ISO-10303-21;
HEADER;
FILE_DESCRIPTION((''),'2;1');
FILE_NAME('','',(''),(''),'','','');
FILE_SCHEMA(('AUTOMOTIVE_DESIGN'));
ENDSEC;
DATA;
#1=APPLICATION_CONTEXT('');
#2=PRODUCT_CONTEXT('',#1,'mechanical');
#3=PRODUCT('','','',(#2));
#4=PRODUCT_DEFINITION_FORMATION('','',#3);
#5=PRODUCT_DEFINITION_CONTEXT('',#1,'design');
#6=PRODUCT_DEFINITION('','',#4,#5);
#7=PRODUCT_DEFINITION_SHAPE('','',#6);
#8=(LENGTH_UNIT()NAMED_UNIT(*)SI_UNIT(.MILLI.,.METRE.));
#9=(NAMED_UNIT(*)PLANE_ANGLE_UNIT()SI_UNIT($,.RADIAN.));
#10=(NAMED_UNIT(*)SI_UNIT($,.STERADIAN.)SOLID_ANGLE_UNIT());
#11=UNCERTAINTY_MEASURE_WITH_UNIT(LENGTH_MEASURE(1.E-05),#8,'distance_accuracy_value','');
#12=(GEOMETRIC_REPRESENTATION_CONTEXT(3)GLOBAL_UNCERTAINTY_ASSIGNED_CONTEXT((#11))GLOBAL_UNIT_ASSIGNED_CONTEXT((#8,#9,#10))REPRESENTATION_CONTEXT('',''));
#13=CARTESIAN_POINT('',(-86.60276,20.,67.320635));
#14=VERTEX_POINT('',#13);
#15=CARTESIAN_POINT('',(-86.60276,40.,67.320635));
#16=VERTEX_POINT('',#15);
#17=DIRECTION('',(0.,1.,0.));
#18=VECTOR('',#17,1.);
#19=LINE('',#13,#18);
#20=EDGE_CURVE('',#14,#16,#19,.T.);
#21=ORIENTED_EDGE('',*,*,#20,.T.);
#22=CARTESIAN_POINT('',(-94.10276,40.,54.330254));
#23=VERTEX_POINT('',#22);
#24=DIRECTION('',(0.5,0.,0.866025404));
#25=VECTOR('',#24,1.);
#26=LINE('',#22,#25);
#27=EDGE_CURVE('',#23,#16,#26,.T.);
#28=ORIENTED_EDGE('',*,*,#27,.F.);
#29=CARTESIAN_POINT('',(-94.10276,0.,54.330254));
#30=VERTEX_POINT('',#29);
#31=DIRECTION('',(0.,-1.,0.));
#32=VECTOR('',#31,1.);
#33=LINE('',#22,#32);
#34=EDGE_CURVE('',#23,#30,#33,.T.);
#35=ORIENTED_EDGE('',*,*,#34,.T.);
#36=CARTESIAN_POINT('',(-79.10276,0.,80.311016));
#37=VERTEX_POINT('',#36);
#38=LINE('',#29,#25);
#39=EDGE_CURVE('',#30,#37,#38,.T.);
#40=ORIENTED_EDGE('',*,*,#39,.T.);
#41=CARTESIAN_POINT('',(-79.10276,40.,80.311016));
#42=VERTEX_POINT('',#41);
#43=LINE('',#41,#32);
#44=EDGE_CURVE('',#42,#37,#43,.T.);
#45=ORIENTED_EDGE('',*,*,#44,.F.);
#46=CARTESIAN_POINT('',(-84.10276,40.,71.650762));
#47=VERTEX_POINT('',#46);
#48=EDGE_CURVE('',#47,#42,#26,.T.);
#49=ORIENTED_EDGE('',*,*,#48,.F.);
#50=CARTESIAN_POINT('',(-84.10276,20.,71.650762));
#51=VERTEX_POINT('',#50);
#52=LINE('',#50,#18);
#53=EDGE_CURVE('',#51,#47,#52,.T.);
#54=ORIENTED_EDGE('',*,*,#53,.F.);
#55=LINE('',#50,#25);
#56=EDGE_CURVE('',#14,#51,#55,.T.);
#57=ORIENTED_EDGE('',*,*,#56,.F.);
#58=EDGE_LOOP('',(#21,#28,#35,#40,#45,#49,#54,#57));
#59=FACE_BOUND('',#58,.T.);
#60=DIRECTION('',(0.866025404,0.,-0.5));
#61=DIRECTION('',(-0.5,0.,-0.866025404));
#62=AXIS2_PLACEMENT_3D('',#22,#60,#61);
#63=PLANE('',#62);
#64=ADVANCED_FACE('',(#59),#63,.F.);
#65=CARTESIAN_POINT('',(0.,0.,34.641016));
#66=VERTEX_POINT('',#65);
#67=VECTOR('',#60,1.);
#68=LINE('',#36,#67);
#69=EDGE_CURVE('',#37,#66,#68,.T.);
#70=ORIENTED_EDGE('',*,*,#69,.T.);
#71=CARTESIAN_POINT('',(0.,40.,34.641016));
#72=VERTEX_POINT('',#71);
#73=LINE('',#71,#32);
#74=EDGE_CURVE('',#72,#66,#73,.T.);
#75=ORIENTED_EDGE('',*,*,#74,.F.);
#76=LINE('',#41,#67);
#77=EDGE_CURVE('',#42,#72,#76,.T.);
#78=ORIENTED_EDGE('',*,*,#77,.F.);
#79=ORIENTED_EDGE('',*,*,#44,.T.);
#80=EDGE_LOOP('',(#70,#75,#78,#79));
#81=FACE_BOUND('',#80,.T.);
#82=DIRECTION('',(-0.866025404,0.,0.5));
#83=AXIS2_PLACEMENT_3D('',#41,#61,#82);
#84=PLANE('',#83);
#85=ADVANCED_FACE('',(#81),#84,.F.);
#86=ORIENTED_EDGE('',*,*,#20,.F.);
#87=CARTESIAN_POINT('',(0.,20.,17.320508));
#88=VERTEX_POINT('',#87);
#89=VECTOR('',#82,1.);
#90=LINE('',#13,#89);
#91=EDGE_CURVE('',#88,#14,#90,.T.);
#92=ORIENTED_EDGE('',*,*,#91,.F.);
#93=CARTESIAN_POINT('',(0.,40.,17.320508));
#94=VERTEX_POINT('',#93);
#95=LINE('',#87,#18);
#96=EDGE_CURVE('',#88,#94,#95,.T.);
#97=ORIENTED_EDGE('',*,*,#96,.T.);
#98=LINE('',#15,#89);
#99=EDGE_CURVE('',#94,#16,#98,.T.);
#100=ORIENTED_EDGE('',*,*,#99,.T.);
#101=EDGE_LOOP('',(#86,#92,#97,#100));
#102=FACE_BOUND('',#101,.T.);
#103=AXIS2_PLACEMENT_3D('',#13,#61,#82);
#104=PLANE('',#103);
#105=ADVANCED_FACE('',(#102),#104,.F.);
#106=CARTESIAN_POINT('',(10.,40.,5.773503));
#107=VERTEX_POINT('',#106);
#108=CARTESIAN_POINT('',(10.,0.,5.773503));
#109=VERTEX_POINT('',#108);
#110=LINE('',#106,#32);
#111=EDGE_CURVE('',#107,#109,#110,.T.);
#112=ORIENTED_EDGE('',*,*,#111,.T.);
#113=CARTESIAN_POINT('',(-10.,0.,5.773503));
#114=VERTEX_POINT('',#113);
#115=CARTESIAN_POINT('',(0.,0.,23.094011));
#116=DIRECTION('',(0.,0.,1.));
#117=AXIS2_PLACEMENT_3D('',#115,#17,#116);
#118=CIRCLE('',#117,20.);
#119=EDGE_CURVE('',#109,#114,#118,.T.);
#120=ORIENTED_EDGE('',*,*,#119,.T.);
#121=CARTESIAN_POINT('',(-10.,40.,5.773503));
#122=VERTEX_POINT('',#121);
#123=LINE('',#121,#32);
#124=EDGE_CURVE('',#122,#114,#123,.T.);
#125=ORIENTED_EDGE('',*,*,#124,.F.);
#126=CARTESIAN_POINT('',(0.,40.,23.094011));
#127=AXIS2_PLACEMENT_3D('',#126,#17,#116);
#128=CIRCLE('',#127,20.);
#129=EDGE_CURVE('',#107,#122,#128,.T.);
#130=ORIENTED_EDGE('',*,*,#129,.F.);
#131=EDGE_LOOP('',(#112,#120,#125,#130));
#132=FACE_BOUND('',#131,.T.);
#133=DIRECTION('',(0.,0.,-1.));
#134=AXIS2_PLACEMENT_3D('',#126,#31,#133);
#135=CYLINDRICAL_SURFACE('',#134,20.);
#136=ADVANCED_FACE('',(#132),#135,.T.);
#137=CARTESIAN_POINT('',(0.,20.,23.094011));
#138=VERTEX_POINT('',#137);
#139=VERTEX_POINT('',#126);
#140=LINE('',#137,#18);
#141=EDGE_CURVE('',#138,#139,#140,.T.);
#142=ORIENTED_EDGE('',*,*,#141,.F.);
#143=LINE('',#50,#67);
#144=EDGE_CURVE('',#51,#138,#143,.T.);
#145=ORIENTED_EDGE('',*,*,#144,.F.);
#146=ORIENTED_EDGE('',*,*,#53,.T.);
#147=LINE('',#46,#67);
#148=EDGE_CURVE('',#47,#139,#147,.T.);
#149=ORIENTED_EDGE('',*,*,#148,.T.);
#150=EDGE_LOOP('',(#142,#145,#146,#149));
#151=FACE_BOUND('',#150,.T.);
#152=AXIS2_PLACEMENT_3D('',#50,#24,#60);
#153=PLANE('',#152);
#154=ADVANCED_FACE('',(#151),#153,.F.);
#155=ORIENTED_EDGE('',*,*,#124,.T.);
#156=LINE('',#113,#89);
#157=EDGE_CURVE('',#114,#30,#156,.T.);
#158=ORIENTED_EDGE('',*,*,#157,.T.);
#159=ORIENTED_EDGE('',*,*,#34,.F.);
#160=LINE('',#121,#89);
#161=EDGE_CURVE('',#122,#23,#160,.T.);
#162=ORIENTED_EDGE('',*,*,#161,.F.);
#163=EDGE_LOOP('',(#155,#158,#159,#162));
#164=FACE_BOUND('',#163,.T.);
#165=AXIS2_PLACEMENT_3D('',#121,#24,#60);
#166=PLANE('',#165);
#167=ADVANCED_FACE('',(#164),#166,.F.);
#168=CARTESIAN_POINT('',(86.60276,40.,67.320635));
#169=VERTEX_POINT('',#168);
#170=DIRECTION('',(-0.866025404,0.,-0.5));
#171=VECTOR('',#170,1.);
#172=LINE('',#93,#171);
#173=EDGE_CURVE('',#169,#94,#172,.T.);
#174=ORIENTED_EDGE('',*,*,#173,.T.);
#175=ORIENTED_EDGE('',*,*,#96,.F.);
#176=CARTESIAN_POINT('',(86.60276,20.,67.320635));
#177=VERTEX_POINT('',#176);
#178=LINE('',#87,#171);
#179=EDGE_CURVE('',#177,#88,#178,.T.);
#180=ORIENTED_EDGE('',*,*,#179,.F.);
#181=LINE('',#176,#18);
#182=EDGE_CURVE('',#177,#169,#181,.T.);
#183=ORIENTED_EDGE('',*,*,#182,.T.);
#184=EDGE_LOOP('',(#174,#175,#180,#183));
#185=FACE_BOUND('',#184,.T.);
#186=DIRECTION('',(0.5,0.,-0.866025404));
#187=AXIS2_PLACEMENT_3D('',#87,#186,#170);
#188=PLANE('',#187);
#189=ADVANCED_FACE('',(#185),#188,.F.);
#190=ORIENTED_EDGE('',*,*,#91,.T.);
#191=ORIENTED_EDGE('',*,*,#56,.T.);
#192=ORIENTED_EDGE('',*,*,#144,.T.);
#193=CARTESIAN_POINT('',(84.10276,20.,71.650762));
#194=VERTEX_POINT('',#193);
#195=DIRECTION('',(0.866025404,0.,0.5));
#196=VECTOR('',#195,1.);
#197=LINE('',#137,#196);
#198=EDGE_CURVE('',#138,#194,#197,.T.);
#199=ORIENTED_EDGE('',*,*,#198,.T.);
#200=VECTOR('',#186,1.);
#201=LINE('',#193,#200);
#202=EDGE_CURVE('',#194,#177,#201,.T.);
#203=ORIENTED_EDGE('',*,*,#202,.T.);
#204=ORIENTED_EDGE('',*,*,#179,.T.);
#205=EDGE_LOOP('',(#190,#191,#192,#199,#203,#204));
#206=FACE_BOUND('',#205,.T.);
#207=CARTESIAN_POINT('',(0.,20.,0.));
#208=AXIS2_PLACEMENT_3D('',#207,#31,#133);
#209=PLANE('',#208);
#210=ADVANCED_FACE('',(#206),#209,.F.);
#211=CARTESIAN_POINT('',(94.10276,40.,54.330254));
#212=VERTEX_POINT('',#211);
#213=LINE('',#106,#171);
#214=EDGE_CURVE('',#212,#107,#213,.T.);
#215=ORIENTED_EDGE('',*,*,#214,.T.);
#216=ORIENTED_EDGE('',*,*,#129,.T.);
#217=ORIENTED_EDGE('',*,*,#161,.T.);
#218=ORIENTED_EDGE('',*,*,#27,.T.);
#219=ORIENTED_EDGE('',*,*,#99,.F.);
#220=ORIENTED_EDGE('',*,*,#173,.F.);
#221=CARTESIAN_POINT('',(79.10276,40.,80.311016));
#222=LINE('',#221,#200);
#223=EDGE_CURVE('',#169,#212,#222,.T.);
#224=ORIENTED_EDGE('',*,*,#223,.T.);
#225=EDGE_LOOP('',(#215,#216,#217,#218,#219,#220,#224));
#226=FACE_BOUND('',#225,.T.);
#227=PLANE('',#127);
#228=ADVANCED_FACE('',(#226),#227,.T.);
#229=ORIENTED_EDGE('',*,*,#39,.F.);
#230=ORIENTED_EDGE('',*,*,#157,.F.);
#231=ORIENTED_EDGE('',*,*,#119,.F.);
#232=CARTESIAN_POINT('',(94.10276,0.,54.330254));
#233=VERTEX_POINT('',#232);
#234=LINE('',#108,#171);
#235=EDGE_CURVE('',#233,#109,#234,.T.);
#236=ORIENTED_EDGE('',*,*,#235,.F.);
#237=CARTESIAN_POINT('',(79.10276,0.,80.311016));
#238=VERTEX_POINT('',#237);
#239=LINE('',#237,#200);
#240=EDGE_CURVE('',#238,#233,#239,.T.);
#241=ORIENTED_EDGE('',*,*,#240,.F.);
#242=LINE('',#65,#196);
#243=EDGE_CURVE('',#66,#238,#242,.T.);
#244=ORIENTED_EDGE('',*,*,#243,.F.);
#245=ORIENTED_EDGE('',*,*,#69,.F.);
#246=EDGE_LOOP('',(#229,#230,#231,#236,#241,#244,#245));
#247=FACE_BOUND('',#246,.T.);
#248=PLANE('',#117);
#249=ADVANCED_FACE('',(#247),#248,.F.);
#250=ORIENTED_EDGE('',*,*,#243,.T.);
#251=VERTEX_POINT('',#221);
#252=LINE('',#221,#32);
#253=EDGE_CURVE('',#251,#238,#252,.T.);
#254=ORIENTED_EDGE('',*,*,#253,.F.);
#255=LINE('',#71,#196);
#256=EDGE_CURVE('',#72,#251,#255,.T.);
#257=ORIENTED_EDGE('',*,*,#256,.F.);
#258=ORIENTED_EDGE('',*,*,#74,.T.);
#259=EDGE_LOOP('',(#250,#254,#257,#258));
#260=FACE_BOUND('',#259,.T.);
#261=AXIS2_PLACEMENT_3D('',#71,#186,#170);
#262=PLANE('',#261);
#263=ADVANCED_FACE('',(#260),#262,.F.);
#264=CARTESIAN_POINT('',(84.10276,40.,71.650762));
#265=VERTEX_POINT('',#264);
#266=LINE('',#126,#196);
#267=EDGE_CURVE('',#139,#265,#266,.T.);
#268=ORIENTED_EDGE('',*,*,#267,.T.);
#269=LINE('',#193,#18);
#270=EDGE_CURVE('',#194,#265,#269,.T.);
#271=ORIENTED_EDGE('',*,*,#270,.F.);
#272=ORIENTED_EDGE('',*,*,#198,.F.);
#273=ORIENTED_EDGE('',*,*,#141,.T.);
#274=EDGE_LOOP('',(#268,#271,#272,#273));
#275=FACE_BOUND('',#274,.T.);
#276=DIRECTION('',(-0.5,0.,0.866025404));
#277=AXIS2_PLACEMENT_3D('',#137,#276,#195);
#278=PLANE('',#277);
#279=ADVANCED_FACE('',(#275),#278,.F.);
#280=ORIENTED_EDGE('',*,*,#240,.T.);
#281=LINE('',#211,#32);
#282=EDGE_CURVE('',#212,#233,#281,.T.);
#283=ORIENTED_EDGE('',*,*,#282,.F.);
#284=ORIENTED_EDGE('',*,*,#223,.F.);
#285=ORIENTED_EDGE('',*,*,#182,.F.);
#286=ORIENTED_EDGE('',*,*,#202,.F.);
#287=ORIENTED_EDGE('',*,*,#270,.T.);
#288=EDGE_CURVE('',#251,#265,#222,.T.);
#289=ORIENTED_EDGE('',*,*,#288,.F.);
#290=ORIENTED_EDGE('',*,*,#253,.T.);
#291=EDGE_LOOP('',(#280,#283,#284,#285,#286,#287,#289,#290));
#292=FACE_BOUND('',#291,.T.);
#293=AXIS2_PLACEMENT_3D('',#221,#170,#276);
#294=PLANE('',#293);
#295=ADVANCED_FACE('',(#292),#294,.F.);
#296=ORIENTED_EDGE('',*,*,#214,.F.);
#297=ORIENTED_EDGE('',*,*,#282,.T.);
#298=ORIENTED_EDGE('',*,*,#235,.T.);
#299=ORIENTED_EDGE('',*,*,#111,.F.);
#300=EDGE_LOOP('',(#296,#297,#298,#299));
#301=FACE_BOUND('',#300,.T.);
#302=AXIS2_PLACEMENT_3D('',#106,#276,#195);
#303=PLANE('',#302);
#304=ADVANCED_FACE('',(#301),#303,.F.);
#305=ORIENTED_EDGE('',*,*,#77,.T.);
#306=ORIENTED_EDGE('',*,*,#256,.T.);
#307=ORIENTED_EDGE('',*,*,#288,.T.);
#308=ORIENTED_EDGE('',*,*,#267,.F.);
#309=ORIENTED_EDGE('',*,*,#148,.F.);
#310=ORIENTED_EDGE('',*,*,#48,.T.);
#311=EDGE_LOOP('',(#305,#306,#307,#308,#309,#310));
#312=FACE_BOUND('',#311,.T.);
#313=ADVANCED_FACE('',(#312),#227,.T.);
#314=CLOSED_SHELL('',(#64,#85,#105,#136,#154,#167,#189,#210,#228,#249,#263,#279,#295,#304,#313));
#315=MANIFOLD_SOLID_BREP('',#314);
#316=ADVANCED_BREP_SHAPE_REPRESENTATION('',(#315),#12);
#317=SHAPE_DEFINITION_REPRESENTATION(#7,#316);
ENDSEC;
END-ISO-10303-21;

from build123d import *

# Parameters (mm, degrees)
BOSS_EXTRUDE1_DEPTH = 40
CUT_EXTRUDE1_DEPTH  = 20


with BuildPart() as part:
    # Sketch1 → Boss-Extrude1 (new body)
    with BuildSketch(Plane(origin=(0, 0, 0), x_dir=(1, 0, 0), z_dir=(0, 1, 0))):
        with BuildLine():
            Line((10, -5.773502692), (94.102760382, -54.330254038))
            Line((94.102760382, -54.330254038), (79.102760382, -80.311016151))
            Line((79.102760382, -80.311016151), (0, -34.641016151))
            Line((0, -34.641016151), (-79.102760382, -80.311016151))
            Line((-79.102760382, -80.311016151), (-94.102760382, -54.330254038))
            Line((-94.102760382, -54.330254038), (-10, -5.773502692))
            ThreePointArc((-10, -5.773502692), (0, -3.094010768), (10, -5.773502692))
        make_face()
    extrude(amount=BOSS_EXTRUDE1_DEPTH)

    # Sketch2 → Cut-Extrude1 (cut)
    with BuildSketch(Plane(origin=(0, 40, 0), x_dir=(1, 0, 0), z_dir=(0, 1, 0))):
        Polygon((-86.602760382, -67.320635095), (0, -17.320508076), (86.602760382, -67.320635095), (84.102760382, -71.650762114), (0, -23.094010768), (-84.102760382, -71.650762114), align=None)
    extrude(amount=-CUT_EXTRUDE1_DEPTH, mode=Mode.SUBTRACT)


solid = part.part
